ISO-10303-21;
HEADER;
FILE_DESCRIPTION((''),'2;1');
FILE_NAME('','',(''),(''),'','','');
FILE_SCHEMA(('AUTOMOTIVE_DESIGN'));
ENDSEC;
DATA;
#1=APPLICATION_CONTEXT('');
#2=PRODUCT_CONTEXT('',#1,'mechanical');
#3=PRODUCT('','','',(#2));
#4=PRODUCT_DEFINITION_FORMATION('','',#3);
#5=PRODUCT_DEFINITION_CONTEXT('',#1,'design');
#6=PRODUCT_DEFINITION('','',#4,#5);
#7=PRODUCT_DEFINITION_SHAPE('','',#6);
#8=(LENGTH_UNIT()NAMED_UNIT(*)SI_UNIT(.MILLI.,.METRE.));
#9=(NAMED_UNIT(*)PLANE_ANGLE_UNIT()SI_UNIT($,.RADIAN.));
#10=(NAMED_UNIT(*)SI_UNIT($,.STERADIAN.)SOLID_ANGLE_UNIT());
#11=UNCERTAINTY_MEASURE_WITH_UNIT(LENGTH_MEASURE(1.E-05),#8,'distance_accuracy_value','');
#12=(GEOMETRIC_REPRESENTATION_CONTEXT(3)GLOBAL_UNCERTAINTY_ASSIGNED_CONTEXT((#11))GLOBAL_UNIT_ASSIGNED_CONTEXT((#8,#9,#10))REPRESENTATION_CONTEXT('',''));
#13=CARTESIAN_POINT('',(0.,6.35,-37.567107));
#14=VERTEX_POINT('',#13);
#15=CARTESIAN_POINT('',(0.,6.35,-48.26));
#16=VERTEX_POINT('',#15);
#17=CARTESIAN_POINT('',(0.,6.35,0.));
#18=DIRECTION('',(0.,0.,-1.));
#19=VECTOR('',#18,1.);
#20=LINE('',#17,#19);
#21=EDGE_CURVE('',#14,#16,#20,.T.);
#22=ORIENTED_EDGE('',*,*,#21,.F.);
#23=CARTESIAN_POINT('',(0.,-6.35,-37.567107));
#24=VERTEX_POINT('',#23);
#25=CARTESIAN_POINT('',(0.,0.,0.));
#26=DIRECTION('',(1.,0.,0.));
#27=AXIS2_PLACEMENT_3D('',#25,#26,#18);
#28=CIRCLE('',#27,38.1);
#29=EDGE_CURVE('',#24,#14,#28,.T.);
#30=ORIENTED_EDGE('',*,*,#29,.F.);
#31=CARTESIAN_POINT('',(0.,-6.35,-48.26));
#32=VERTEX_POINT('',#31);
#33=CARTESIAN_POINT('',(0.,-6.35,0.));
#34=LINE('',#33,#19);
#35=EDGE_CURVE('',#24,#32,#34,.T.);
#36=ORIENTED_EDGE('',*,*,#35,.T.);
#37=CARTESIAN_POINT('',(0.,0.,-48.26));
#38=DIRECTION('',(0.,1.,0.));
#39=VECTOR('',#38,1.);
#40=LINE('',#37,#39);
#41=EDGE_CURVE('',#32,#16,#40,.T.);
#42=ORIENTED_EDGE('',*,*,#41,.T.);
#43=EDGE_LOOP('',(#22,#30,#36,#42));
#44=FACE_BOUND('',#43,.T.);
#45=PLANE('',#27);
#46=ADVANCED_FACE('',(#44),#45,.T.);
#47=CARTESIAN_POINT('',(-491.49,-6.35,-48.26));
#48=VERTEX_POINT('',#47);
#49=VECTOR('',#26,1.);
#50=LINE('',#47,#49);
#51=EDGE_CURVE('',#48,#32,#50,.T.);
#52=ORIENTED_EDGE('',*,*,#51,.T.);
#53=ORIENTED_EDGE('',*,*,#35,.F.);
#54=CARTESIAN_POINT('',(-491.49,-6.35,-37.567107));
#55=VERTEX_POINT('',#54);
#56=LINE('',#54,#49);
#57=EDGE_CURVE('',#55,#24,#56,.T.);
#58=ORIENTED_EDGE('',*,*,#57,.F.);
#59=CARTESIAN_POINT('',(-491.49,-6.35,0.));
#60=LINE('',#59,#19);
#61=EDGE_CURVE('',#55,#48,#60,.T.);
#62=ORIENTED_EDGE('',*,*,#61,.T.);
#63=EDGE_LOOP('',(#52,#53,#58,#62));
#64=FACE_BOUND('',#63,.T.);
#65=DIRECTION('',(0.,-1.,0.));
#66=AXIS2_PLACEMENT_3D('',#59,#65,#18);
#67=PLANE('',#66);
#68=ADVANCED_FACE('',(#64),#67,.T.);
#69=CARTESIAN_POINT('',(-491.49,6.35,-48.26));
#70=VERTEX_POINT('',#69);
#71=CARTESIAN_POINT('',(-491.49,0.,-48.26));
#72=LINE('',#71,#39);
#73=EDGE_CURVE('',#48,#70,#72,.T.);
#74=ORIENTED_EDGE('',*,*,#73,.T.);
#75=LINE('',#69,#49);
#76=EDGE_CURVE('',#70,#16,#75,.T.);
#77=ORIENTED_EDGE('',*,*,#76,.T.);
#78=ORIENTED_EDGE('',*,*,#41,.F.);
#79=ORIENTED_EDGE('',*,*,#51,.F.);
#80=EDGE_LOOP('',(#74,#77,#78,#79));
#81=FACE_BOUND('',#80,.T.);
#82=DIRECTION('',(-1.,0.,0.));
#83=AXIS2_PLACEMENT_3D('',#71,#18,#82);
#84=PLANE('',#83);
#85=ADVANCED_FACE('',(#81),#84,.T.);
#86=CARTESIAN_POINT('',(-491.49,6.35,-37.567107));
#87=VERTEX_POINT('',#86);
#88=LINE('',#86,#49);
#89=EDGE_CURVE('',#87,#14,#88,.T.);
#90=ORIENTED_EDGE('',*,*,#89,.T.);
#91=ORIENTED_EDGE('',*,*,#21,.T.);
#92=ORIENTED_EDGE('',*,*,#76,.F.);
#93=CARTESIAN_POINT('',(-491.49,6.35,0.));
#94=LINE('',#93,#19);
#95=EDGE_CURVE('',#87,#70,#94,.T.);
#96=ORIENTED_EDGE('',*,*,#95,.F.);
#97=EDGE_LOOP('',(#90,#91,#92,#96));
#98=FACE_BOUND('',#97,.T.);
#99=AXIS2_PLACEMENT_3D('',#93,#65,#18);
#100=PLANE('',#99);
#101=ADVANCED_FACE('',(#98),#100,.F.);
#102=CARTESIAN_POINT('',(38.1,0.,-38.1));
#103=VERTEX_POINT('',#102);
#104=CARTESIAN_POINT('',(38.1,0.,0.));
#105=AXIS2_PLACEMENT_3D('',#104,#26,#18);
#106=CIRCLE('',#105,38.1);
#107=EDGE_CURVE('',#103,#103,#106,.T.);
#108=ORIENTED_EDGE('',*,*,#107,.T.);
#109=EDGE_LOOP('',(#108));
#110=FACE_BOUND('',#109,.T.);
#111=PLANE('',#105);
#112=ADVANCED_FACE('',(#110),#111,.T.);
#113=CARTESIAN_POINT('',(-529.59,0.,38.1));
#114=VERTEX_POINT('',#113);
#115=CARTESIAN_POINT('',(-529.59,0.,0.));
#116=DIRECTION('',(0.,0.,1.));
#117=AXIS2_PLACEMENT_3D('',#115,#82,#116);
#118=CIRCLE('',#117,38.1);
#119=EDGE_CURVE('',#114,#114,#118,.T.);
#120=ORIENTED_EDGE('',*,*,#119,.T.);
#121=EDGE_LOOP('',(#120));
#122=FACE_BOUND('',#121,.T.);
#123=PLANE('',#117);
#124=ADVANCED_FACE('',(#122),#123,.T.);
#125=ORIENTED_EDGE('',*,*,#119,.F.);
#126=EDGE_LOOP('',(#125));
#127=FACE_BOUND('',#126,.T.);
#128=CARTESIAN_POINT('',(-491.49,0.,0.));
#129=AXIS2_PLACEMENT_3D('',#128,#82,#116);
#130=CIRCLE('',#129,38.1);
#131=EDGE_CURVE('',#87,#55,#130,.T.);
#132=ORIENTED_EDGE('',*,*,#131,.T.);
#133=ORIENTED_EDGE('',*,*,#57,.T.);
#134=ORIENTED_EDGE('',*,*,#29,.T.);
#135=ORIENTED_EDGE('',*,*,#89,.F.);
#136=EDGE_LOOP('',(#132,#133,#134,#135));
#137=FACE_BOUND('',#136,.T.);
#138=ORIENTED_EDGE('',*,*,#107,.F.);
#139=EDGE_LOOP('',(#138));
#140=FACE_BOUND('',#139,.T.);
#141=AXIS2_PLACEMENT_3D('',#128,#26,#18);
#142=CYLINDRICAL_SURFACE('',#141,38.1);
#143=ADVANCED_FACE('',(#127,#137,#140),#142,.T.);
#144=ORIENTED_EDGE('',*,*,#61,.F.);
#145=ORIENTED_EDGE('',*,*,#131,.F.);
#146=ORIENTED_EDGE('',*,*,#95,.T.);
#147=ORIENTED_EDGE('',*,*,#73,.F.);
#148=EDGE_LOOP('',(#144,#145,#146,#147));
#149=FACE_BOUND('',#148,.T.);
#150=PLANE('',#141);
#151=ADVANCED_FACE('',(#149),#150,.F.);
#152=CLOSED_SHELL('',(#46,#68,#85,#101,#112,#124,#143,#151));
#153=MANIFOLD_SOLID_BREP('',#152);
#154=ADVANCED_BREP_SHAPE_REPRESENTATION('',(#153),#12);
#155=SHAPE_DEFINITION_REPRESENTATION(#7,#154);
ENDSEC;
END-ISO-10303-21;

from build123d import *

# Parameters (mm, degrees)
BOSS_EXTRUDE1_DEPTH = 491.49
SKETCH2_R           = 38.1
BOSS_EXTRUDE2_DEPTH = 38.1
SKETCH3_R           = 38.1
BOSS_EXTRUDE3_DEPTH = 38.1


with BuildPart() as part:
    # Sketch1 → Boss-Extrude1 (new body)
    with BuildSketch(Plane(origin=(0, 0, 0), x_dir=(0, 0, -1), z_dir=(1, 0, 0))):
        with BuildLine():
            Line((27.94, 6.35), (27.94, -6.35))
            Line((27.94, -6.35), (37.567106623, -6.35))
            ThreePointArc((37.567106623, -6.35), (37.966542918, -3.186160517), (38.1, 0))
            ThreePointArc((38.1, 0), (37.966542918, 3.186160517), (37.567106623, 6.35))
            Line((37.567106623, 6.35), (27.94, 6.35))
        make_face()
        with BuildLine():
            Line((37.567106623, -6.35), (27.94, -6.35))
            Line((27.94, -6.35), (27.94, 6.35))
            Line((27.94, 6.35), (37.567106623, 6.35))
            ThreePointArc((37.567106623, 6.35), (-38.1, 0), (37.567106623, -6.35))
        make_face()
        with BuildLine():
            ThreePointArc((38.1, 0), (37.966542918, -3.186160517), (37.567106623, -6.35))
            Line((37.567106623, -6.35), (48.26, -6.35))
            Line((48.26, -6.35), (48.26, 6.35))
            Line((48.26, 6.35), (37.567106623, 6.35))
            ThreePointArc((37.567106623, 6.35), (37.966542918, 3.186160517), (38.1, 0))
        make_face()
    extrude(amount=-BOSS_EXTRUDE1_DEPTH)

    # Sketch2 → Boss-Extrude2 (add)
    with BuildSketch(Plane(origin=(0, 0, 0), x_dir=(0, 0, -1), z_dir=(1, 0, 0))):
        Circle(SKETCH2_R)
    extrude(amount=BOSS_EXTRUDE2_DEPTH)

    # Sketch3 → Boss-Extrude3 (add)
    with BuildSketch(Plane.ZY.offset(491.49)):
        Circle(SKETCH3_R)
    extrude(amount=BOSS_EXTRUDE3_DEPTH)


solid = part.part
